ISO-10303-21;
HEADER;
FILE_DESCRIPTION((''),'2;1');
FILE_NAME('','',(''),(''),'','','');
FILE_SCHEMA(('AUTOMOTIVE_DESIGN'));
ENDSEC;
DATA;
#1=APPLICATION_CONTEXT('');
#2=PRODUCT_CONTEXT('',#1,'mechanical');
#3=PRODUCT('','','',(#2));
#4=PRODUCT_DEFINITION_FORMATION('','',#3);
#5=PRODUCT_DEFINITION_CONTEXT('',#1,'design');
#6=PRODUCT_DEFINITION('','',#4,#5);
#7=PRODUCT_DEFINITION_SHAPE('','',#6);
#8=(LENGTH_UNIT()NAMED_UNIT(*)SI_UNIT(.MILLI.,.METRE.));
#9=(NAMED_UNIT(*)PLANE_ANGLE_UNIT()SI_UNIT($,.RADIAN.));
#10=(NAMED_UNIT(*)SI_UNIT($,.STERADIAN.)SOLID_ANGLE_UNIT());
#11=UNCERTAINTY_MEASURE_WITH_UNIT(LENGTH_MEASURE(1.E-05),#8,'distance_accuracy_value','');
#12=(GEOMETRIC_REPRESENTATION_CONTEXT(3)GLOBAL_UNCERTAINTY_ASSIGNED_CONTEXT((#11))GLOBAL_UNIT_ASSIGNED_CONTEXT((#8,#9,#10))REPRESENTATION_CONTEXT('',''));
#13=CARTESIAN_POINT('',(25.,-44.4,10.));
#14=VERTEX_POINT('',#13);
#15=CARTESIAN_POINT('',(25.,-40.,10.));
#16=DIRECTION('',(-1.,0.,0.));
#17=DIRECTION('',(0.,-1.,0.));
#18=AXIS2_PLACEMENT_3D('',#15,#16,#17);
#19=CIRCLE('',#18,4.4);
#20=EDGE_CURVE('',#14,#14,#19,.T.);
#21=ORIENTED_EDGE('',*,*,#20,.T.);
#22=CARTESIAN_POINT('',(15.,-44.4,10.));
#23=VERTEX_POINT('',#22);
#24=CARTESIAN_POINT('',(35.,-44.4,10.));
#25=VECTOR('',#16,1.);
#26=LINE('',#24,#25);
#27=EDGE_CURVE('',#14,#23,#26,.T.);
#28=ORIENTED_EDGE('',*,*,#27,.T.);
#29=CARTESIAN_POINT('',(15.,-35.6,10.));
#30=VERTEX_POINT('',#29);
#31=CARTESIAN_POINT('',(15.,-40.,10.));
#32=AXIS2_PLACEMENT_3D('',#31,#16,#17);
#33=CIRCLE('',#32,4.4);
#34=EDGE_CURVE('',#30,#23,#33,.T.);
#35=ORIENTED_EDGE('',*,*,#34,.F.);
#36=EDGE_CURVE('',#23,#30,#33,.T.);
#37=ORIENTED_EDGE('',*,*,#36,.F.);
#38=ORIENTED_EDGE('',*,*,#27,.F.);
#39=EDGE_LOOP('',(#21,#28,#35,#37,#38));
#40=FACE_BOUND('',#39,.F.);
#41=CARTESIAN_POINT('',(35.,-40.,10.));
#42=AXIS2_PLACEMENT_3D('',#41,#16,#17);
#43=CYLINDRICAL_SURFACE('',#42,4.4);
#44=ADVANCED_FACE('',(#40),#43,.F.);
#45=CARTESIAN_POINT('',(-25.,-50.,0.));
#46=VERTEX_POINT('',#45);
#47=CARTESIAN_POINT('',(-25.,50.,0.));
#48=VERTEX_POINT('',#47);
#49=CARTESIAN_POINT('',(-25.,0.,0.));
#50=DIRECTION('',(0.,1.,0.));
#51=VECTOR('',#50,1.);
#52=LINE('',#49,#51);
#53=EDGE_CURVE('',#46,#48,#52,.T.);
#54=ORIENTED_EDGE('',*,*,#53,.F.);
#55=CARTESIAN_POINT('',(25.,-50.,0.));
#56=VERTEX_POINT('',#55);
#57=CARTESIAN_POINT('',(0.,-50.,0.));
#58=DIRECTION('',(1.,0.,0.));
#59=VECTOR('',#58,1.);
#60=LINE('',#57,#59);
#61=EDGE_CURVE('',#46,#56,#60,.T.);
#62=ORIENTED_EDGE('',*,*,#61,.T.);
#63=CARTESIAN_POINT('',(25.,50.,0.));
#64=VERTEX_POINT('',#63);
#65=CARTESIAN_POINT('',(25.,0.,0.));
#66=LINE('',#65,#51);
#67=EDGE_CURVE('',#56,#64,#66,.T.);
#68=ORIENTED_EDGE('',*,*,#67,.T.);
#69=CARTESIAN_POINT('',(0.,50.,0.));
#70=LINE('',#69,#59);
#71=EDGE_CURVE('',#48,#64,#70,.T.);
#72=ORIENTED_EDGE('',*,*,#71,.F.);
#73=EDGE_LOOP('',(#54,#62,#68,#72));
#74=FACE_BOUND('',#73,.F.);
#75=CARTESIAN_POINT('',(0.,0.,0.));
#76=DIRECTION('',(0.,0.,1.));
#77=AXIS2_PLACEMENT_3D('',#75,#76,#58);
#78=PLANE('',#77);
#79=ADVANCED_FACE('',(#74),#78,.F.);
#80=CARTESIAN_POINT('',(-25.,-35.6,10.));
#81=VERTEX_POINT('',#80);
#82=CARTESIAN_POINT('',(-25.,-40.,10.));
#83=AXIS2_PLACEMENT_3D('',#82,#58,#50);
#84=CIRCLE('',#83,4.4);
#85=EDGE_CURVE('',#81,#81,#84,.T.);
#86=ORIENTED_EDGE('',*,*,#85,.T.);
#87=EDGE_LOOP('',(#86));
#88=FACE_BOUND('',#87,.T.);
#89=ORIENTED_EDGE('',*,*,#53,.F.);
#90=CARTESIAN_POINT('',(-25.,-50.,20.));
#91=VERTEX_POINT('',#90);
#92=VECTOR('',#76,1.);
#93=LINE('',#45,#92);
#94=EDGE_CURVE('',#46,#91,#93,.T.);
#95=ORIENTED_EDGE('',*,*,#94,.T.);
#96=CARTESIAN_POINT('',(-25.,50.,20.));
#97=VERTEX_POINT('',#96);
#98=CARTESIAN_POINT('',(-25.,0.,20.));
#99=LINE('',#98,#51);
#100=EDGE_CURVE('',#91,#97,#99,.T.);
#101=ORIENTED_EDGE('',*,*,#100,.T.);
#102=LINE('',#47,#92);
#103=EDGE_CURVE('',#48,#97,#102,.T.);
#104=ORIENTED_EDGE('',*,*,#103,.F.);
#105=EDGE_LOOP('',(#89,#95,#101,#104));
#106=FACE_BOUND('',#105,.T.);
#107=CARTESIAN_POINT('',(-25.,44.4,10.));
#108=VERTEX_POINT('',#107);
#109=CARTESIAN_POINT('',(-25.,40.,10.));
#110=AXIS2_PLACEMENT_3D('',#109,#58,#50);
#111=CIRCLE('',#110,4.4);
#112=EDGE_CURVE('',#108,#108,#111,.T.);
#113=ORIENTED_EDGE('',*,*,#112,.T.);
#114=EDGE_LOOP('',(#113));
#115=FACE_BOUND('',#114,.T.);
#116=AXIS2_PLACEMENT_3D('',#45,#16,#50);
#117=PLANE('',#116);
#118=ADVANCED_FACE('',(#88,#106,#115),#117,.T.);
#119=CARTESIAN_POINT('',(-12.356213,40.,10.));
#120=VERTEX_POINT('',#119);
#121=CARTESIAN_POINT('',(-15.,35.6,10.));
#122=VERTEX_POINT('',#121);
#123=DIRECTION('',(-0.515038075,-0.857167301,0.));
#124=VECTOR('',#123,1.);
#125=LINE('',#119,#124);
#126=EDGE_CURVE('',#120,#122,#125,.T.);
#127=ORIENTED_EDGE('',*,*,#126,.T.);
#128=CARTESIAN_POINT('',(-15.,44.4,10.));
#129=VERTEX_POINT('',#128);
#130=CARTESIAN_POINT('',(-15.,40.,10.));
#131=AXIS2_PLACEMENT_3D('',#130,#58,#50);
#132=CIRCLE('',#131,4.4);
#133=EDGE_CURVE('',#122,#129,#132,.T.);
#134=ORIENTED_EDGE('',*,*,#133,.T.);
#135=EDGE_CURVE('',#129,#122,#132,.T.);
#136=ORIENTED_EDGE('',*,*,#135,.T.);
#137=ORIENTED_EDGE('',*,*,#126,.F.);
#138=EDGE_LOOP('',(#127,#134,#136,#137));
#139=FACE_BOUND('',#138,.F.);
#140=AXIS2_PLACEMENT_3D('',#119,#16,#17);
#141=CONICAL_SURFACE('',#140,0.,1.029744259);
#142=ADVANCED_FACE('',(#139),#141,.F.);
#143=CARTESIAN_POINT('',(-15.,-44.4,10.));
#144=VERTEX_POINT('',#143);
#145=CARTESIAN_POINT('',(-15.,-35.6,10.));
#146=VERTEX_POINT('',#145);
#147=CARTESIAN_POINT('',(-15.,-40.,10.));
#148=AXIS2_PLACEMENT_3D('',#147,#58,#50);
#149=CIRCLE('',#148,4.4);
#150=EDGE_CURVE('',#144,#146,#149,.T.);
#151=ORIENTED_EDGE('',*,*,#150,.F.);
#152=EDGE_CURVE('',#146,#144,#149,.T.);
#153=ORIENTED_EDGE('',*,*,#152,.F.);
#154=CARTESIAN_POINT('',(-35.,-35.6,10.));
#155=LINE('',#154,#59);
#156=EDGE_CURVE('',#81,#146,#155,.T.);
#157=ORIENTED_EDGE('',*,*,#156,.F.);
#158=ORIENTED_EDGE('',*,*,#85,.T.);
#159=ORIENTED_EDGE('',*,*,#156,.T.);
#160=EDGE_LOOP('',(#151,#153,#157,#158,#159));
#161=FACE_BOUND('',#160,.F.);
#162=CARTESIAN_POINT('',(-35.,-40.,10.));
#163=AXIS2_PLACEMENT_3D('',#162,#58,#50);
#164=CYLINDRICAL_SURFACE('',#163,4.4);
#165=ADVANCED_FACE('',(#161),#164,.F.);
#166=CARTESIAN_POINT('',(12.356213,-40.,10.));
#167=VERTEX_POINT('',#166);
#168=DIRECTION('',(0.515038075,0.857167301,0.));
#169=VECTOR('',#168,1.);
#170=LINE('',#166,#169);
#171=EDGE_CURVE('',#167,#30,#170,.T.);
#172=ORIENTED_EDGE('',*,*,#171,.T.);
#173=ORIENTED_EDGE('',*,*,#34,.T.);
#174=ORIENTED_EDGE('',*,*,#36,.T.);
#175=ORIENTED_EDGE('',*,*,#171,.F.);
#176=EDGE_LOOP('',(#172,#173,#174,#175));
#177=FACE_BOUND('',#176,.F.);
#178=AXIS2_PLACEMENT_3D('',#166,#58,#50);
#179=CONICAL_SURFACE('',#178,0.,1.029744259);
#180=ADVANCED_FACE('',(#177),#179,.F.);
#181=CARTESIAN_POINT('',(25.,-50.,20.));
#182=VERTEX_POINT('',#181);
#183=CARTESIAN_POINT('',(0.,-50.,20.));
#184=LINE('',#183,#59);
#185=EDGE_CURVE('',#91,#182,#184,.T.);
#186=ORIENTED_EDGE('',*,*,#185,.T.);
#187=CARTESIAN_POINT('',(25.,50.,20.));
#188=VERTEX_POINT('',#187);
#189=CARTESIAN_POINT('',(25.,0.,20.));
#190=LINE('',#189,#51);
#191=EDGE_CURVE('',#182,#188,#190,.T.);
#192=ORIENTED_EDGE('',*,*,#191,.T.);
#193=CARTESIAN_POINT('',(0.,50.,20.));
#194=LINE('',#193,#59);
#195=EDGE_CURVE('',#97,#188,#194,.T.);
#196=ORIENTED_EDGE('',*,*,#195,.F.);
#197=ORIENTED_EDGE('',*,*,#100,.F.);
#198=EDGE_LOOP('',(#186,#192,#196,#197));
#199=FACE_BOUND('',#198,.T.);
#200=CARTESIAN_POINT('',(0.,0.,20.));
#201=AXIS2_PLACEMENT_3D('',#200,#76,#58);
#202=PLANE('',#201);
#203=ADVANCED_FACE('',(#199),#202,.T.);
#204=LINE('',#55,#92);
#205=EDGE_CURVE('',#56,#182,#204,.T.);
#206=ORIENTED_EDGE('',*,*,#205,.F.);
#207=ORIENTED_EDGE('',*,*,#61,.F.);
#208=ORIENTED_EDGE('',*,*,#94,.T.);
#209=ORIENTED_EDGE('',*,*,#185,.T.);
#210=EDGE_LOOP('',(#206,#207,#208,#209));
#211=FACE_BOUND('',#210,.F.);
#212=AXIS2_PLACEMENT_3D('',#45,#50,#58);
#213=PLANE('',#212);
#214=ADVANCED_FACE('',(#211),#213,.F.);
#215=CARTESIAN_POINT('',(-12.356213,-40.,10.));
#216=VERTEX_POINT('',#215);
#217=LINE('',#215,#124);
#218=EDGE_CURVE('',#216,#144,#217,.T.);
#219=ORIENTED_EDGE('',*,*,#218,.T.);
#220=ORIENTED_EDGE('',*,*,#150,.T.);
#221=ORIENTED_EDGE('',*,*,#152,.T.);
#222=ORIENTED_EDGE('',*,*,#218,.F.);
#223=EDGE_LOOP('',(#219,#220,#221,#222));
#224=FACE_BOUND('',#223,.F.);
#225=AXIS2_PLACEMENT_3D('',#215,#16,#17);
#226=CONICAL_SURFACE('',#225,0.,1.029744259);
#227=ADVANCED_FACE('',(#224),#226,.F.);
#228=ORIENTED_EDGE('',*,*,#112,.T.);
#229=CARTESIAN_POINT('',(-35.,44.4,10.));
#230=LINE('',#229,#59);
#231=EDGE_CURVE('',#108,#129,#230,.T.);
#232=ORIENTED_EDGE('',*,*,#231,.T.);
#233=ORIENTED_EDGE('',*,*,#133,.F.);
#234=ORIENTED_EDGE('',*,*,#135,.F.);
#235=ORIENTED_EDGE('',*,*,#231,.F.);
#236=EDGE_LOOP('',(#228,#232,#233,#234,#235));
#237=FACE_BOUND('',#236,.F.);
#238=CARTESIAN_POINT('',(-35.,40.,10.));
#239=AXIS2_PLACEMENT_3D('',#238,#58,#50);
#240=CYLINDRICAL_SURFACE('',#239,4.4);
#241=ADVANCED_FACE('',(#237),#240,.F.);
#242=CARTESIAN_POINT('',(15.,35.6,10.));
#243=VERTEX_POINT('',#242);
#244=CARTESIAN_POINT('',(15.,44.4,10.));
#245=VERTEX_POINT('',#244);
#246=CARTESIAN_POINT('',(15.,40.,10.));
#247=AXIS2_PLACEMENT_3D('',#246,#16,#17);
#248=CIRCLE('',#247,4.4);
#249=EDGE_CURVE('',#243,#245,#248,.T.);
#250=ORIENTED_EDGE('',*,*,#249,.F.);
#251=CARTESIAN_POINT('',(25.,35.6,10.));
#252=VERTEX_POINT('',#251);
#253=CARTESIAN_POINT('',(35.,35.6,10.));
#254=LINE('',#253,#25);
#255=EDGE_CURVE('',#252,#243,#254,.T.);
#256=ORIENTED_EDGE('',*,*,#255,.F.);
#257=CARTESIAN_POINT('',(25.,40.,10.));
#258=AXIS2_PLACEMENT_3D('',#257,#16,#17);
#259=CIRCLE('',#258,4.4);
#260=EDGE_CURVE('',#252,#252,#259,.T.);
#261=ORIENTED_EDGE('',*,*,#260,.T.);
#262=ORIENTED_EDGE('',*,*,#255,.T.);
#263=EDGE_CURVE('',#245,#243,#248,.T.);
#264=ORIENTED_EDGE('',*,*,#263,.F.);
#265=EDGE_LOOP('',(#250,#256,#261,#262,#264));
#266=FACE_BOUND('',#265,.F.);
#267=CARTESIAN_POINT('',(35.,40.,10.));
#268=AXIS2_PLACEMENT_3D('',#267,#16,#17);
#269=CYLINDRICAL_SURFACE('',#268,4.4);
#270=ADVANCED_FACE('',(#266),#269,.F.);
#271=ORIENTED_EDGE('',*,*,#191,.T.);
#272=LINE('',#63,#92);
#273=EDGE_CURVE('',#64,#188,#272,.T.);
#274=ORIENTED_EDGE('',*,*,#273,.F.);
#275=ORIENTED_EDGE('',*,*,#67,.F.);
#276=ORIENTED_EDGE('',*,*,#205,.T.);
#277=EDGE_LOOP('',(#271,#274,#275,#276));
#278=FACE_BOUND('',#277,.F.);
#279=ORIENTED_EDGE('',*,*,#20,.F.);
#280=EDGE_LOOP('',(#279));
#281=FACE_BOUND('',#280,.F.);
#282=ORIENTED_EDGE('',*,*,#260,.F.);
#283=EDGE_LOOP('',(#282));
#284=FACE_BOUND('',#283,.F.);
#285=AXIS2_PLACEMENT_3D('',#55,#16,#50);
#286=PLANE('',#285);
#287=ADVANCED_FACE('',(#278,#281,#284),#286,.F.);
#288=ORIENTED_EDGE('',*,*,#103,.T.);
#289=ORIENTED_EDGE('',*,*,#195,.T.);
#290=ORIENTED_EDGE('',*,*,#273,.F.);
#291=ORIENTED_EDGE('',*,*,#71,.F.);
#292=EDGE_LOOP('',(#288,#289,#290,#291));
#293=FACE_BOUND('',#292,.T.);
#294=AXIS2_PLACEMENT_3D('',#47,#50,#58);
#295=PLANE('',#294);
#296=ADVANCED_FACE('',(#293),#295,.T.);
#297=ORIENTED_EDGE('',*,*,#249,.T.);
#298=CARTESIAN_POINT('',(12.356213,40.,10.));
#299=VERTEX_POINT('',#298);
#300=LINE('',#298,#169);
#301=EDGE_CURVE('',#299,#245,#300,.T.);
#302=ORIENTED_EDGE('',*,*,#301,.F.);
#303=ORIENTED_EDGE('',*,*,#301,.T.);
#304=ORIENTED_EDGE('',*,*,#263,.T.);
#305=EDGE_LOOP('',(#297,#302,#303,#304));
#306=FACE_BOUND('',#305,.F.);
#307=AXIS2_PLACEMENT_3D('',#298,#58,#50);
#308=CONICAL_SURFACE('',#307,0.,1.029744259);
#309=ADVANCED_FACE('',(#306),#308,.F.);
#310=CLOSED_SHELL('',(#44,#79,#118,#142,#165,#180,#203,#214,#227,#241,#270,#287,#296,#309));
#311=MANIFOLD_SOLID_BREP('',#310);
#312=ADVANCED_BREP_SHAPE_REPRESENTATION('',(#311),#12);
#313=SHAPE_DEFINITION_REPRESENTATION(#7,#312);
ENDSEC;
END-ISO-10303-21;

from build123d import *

# Parameters (mm, degrees)
F0_W           = 50
F0_H           = 100
F1_DEPTH       = 20
F4_D           = 8.8
F4_DEPTH       = 10
F4_TIP         = 2.6437867237
F4_ON_F2_D     = 8.8
F4_ON_F2_DEPTH = 10
F4_ON_F2_TIP   = 2.6437867237


with BuildPart() as f1:
    # F0 (on Top) → F1 (new body)
    with BuildSketch(Plane.XY):
        Rectangle(F0_W, F0_H)
    extrude(amount=F1_DEPTH)

    # F4
    with Locations(Plane.YZ.offset(25)):
        with Locations((-40, 10), (40, 10)):
            Hole(F4_D / 2, depth=F4_DEPTH)
            with Locations((0, 0, -(F4_DEPTH + F4_TIP / 2))):  # 118° drill point
                Cone(0, F4_D / 2, F4_TIP, mode=Mode.SUBTRACT)

    # F4 on F2
    with Locations(Plane(origin=(-25, 0, 0), x_dir=(0, -1, 0), z_dir=(-1, 0, 0))):
        with Locations((-40, 10), (40, 10)):
            Hole(F4_ON_F2_D / 2, depth=F4_ON_F2_DEPTH)
            with Locations((0, 0, -(F4_ON_F2_DEPTH + F4_ON_F2_TIP / 2))):  # 118° drill point
                Cone(0, F4_ON_F2_D / 2, F4_ON_F2_TIP, mode=Mode.SUBTRACT)


solid = f1.part
